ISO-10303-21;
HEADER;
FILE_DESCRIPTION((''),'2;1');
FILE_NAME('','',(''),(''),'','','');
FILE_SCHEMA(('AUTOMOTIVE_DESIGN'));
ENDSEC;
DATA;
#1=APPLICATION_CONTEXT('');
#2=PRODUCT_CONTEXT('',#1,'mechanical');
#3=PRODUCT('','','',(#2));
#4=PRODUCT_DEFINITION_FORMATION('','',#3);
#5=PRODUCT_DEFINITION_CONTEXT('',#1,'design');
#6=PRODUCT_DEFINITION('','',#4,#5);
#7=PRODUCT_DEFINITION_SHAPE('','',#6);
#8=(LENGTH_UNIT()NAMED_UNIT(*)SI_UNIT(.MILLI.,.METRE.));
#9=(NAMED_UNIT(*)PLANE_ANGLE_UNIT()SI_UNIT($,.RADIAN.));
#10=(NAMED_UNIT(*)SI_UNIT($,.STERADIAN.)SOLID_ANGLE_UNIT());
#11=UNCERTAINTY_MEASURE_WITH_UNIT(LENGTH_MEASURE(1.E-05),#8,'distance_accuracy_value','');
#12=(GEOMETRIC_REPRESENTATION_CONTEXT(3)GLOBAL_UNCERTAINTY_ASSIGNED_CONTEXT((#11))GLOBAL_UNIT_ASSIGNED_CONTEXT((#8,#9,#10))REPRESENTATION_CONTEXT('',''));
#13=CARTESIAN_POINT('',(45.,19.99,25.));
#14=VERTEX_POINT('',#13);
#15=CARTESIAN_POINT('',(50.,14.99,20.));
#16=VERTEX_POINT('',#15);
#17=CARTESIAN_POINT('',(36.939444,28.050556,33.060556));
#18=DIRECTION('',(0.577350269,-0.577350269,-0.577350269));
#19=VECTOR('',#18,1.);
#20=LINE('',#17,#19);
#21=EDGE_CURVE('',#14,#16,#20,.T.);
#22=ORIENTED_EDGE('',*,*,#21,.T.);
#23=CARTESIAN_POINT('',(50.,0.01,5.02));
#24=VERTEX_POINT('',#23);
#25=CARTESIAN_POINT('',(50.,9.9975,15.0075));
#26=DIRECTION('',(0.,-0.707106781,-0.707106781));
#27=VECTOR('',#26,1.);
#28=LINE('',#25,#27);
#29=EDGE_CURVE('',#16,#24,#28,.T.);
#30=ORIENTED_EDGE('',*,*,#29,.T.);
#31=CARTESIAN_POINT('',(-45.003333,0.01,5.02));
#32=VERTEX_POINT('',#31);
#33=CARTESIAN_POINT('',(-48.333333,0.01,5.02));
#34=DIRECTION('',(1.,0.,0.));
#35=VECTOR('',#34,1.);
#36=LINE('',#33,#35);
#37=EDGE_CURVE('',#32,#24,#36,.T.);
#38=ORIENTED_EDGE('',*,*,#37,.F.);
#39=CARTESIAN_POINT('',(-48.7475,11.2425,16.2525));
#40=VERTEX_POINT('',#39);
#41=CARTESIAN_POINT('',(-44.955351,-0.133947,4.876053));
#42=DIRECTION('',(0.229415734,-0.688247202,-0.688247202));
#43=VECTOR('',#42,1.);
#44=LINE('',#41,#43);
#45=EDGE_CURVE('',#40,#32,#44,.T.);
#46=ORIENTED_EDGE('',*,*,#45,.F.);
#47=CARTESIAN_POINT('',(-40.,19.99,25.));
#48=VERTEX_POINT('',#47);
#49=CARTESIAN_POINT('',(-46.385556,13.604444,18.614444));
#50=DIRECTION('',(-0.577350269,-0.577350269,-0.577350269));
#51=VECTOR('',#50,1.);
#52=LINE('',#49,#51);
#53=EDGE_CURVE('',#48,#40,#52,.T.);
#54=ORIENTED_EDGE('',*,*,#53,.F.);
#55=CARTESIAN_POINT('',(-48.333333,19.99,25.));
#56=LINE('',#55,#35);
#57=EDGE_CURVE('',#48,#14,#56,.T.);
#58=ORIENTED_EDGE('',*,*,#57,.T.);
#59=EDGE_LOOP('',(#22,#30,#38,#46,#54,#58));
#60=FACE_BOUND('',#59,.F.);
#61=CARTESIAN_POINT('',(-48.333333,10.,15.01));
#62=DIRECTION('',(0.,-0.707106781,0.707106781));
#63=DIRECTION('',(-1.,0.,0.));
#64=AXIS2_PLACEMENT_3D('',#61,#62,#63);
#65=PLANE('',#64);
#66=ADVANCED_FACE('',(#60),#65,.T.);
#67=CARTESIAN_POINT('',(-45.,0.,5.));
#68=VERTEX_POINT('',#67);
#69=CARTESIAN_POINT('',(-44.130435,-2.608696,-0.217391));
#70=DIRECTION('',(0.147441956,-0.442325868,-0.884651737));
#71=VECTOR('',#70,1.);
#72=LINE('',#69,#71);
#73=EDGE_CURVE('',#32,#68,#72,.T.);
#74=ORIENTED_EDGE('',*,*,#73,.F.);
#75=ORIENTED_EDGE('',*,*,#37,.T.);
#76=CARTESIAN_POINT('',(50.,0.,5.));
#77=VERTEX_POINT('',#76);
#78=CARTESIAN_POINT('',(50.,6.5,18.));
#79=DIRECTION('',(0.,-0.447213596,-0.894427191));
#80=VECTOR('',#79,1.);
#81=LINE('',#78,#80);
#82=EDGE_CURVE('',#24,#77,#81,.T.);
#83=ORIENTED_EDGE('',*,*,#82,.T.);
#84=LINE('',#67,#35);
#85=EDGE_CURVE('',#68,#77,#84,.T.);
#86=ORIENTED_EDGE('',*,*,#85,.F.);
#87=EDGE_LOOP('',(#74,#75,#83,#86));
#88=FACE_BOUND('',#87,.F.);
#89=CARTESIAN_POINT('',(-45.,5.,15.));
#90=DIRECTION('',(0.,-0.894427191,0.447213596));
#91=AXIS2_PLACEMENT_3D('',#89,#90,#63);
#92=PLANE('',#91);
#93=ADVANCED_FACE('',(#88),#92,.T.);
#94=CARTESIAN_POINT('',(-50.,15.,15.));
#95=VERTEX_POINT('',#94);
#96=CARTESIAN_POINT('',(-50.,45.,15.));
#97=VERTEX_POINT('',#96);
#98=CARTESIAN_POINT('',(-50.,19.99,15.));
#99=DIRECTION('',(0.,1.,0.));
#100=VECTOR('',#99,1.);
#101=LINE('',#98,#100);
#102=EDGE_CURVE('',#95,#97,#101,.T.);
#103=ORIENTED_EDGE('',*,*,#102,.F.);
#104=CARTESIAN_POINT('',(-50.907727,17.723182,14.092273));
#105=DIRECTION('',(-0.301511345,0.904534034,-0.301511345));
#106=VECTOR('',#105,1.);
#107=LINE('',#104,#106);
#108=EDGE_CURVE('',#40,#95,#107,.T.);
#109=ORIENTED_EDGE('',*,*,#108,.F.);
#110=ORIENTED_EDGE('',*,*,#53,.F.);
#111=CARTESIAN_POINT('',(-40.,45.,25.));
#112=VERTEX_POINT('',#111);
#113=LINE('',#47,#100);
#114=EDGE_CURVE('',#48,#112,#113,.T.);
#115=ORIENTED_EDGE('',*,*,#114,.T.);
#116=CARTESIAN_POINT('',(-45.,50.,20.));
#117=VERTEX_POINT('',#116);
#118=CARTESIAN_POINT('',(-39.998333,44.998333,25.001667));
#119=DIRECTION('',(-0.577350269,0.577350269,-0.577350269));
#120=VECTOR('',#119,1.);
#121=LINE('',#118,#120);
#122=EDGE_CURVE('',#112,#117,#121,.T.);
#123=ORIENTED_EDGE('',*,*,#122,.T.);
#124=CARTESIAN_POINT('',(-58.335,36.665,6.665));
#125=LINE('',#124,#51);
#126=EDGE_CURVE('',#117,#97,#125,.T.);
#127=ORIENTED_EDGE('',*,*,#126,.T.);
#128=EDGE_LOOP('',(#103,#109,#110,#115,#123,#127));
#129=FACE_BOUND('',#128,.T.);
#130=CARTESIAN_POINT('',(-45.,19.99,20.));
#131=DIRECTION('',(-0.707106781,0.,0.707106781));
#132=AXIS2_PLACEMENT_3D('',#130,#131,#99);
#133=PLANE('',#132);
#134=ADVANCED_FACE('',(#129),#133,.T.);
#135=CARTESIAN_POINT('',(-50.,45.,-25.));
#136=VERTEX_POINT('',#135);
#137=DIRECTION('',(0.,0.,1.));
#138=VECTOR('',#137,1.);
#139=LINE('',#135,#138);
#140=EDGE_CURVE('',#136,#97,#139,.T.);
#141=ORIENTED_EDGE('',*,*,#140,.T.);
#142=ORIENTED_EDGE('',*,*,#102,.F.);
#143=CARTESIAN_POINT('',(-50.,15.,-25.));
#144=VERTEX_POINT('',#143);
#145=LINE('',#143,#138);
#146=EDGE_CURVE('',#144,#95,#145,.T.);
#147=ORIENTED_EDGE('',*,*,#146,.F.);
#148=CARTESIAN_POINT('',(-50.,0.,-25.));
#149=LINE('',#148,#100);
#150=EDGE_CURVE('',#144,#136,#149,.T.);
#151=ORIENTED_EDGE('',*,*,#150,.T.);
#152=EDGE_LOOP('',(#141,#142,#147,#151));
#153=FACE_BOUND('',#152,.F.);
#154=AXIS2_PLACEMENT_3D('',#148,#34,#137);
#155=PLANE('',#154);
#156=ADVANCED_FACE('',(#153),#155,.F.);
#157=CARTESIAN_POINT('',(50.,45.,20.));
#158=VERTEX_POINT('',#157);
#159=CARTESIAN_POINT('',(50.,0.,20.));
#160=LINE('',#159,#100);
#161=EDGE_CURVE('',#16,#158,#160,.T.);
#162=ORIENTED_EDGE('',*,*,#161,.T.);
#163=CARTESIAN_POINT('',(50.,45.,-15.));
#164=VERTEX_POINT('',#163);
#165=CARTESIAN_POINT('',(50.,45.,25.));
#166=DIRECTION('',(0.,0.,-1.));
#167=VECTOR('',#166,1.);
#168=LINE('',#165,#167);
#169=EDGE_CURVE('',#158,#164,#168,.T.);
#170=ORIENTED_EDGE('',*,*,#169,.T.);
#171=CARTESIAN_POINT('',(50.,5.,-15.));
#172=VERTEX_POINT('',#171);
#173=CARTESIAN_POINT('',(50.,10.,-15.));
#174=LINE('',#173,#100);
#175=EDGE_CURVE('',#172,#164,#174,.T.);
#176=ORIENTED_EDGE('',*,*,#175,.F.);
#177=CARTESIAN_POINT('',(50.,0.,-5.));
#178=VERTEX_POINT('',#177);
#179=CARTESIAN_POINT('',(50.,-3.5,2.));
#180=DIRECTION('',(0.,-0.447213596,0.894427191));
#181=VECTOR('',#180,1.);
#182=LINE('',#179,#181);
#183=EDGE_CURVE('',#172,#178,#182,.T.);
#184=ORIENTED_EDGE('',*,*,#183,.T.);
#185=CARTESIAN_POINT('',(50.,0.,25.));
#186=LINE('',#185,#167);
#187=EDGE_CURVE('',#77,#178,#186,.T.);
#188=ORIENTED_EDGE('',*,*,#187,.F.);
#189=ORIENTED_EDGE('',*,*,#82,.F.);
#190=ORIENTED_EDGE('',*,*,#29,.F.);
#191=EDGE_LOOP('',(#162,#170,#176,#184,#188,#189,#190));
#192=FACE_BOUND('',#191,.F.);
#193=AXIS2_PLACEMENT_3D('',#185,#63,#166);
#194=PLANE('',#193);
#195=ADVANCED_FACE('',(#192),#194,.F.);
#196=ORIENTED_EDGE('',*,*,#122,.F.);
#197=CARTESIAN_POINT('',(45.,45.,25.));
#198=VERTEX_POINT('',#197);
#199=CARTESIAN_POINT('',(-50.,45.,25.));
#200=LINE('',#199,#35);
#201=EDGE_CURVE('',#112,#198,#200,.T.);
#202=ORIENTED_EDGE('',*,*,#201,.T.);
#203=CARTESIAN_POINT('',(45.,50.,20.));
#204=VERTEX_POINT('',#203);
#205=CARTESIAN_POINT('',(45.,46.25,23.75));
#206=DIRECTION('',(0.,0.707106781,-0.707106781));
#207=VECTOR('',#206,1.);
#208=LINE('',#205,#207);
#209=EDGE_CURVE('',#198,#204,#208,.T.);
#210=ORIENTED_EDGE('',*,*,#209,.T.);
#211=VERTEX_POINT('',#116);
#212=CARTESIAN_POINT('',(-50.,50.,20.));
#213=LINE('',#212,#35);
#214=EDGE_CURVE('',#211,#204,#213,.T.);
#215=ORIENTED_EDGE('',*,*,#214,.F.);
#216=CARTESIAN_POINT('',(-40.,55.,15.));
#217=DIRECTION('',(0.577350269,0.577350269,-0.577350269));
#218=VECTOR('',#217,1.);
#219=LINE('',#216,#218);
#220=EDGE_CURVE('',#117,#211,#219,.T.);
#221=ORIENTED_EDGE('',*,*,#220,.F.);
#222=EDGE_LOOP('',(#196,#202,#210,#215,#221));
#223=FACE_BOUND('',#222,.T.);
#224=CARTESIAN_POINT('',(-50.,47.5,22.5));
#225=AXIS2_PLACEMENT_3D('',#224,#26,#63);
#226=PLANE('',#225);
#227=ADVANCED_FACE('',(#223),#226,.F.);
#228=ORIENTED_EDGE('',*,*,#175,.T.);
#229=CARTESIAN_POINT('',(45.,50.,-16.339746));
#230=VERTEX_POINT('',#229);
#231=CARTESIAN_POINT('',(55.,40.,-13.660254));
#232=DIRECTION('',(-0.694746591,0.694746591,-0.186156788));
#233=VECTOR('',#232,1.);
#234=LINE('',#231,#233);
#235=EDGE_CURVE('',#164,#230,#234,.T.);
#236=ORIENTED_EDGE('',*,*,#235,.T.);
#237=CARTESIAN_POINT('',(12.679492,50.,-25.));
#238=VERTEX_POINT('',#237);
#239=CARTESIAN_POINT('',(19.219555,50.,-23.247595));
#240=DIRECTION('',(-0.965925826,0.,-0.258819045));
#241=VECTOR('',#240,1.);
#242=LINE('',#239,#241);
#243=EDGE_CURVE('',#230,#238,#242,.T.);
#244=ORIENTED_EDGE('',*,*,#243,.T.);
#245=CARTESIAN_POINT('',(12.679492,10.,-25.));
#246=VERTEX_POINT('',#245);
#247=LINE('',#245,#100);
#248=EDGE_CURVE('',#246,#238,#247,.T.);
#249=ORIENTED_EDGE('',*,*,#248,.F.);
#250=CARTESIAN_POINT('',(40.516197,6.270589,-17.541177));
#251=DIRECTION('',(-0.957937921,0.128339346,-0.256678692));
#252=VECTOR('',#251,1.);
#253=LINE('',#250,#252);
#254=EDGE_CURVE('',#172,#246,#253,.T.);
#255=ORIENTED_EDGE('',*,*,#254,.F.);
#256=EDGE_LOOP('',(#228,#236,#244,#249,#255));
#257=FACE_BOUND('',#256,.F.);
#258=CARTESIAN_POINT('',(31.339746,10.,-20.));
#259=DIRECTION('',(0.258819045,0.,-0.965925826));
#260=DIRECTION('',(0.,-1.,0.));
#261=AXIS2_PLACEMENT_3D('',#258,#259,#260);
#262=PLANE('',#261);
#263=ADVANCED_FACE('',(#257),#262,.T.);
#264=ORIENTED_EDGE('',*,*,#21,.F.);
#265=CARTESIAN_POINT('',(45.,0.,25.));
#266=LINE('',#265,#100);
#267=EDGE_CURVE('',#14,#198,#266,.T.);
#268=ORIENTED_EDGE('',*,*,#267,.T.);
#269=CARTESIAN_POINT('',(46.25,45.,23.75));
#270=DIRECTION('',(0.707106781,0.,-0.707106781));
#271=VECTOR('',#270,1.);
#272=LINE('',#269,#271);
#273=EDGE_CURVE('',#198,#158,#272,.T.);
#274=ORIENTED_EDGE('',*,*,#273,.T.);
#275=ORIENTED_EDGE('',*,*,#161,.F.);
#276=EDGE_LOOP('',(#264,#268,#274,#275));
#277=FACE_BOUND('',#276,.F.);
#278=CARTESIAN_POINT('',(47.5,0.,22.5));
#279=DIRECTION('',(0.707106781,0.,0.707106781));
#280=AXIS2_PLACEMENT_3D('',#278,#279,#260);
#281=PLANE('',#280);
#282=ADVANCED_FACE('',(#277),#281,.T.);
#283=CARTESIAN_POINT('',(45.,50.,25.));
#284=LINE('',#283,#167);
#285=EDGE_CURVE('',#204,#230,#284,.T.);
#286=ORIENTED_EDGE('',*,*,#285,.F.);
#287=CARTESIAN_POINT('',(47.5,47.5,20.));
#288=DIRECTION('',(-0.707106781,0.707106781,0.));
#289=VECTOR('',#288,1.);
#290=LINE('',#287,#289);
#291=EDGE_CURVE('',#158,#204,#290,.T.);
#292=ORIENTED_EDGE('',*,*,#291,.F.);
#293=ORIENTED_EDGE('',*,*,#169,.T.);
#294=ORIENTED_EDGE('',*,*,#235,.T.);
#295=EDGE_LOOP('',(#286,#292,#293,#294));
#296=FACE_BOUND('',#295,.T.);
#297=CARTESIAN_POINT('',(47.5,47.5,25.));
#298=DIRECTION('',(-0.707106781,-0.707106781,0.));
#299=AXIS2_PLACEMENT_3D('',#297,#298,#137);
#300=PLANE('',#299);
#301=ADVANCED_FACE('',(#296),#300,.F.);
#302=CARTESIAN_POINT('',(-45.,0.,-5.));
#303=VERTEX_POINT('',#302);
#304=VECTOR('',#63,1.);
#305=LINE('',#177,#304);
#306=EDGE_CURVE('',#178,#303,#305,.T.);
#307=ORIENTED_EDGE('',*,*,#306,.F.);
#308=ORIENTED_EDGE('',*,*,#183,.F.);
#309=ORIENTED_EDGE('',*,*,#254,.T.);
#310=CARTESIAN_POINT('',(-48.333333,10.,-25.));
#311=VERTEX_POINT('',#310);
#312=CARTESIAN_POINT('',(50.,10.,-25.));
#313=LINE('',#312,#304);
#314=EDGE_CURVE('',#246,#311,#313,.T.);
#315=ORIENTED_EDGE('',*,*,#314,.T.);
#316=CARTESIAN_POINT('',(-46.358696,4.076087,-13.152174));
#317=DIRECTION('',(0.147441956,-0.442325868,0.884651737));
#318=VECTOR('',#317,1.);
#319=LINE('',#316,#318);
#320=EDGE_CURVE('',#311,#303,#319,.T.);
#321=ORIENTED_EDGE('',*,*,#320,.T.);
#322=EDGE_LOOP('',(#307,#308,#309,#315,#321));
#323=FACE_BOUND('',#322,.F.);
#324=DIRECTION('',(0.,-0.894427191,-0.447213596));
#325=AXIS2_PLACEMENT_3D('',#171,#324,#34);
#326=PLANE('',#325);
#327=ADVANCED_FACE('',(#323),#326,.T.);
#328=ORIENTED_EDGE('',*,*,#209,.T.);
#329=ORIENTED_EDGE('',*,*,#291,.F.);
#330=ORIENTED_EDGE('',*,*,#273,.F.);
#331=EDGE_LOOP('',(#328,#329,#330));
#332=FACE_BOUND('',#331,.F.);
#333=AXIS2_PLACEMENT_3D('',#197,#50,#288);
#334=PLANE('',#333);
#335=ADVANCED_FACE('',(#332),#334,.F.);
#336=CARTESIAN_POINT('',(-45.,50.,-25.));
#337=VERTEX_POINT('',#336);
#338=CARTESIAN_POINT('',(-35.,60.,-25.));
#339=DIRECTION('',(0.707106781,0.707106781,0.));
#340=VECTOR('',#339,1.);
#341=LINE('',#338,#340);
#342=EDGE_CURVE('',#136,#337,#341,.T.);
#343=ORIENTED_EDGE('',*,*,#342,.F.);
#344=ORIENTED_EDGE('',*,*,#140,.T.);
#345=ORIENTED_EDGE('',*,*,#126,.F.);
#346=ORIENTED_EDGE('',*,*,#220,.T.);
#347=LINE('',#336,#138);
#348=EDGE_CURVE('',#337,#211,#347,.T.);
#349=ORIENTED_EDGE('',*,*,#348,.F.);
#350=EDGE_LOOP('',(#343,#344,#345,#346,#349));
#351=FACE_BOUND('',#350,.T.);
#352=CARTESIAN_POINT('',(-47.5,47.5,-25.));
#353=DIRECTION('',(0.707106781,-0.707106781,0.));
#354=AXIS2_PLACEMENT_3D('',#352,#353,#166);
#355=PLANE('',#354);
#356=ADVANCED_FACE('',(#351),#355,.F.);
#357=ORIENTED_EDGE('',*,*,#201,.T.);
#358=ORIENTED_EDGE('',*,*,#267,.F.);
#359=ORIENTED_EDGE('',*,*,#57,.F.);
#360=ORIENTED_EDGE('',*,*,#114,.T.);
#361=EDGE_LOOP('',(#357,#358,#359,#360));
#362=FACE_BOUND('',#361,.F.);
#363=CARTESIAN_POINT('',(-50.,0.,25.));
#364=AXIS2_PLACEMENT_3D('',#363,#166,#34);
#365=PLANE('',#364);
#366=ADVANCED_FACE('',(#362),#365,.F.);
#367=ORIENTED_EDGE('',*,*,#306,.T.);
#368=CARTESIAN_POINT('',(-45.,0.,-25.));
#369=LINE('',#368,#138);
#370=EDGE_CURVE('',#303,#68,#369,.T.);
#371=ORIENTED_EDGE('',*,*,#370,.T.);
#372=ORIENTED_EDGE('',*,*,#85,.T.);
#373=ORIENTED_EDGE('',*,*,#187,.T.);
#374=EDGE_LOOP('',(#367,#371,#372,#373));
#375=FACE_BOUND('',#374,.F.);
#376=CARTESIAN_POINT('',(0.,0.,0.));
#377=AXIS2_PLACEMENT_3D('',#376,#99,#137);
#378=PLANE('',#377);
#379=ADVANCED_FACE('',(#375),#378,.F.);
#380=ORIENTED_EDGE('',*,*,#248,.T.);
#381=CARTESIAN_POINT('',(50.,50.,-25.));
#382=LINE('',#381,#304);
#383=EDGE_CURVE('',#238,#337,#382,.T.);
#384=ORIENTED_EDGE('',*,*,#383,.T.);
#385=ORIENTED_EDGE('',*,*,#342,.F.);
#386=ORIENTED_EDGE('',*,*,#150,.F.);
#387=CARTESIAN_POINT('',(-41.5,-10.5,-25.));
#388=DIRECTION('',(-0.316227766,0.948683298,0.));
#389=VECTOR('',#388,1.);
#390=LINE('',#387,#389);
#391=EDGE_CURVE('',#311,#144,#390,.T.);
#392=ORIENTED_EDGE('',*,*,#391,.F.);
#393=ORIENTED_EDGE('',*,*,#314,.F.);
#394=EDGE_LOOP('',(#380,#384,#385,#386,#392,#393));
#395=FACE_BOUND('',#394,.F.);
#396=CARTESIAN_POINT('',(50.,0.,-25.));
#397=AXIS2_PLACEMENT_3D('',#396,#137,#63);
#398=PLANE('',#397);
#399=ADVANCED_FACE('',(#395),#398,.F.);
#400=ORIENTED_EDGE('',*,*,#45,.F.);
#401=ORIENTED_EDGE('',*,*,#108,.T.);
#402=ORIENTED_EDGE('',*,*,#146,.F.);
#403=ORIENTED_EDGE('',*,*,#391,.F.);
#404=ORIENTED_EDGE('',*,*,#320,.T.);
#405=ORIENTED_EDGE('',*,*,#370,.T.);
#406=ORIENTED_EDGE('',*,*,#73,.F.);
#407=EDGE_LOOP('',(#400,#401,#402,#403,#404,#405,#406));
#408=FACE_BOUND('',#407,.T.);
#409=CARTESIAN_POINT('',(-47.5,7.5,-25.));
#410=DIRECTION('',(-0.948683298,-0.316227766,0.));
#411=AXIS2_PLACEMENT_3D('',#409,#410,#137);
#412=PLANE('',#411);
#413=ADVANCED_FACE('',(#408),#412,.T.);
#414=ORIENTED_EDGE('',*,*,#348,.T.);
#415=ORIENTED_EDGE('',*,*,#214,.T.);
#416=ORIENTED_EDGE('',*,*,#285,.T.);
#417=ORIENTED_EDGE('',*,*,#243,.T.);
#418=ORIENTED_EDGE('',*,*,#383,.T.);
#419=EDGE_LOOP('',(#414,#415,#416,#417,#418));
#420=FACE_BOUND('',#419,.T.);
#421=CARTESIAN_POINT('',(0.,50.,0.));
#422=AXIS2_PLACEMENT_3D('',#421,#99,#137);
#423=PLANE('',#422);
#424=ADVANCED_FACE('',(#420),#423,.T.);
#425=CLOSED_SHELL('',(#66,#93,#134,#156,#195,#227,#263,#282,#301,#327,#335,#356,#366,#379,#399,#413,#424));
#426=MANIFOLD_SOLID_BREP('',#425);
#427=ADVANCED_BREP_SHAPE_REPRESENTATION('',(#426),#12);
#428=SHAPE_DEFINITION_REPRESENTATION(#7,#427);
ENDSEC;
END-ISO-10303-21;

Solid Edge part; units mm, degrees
sketch "Sketch1" plane through (0, 0, 0) normal (0, -1, 0) x (1, 0, 0)
  line L0 (-50, 25) -> (50, 25)
  line L1 (50, 25) -> (50, -25)
  line L2 (50, -25) -> (-50, -25)
  line L3 (-50, -25) -> (-50, 25)
  dimension "D1" = 100
  dimension "D2" = 50
extrude "Protrusion1" add sketch "Sketch1" against normal blind 50
chamfer "Chamfer1" distance 5 angle 45 3 edges at (50, 50, 0) (50, 25, 25) (0, 50, 25)
chamfer "Chamfer2" distance 5 angle 45 1 edges at (-50, 50, -2.5)
chamfer "Chamfer3" distance 5 distance2 15 1 edges at (-50, 0, 0) measured on face at (-32.3333, 0, -17.1667)
chamfer "Chamfer4" distance 10 distance2 20 1 edges at (2.5, 0, -25) measured on face at (34.3333, 41.1667, -25)
chamfer "Chamfer5" distance 10 distance2 20 1 edges at (0, 0, 25) measured on face at (-35.1167, 37.05, 25)
chamfer "Chamfer6" distance 10 angle 75 1 edges at (50, 27.5, -25) measured on face at (50, 37.05, 12.95)
chamfer "Chamfer7" distance 10 angle 45 2 edges at (-1.6667, 10, 25) (-50, 30, 25) measured on face at (-35.1167, 38.8167, 25)
properties material "알루미늄, 1060"
